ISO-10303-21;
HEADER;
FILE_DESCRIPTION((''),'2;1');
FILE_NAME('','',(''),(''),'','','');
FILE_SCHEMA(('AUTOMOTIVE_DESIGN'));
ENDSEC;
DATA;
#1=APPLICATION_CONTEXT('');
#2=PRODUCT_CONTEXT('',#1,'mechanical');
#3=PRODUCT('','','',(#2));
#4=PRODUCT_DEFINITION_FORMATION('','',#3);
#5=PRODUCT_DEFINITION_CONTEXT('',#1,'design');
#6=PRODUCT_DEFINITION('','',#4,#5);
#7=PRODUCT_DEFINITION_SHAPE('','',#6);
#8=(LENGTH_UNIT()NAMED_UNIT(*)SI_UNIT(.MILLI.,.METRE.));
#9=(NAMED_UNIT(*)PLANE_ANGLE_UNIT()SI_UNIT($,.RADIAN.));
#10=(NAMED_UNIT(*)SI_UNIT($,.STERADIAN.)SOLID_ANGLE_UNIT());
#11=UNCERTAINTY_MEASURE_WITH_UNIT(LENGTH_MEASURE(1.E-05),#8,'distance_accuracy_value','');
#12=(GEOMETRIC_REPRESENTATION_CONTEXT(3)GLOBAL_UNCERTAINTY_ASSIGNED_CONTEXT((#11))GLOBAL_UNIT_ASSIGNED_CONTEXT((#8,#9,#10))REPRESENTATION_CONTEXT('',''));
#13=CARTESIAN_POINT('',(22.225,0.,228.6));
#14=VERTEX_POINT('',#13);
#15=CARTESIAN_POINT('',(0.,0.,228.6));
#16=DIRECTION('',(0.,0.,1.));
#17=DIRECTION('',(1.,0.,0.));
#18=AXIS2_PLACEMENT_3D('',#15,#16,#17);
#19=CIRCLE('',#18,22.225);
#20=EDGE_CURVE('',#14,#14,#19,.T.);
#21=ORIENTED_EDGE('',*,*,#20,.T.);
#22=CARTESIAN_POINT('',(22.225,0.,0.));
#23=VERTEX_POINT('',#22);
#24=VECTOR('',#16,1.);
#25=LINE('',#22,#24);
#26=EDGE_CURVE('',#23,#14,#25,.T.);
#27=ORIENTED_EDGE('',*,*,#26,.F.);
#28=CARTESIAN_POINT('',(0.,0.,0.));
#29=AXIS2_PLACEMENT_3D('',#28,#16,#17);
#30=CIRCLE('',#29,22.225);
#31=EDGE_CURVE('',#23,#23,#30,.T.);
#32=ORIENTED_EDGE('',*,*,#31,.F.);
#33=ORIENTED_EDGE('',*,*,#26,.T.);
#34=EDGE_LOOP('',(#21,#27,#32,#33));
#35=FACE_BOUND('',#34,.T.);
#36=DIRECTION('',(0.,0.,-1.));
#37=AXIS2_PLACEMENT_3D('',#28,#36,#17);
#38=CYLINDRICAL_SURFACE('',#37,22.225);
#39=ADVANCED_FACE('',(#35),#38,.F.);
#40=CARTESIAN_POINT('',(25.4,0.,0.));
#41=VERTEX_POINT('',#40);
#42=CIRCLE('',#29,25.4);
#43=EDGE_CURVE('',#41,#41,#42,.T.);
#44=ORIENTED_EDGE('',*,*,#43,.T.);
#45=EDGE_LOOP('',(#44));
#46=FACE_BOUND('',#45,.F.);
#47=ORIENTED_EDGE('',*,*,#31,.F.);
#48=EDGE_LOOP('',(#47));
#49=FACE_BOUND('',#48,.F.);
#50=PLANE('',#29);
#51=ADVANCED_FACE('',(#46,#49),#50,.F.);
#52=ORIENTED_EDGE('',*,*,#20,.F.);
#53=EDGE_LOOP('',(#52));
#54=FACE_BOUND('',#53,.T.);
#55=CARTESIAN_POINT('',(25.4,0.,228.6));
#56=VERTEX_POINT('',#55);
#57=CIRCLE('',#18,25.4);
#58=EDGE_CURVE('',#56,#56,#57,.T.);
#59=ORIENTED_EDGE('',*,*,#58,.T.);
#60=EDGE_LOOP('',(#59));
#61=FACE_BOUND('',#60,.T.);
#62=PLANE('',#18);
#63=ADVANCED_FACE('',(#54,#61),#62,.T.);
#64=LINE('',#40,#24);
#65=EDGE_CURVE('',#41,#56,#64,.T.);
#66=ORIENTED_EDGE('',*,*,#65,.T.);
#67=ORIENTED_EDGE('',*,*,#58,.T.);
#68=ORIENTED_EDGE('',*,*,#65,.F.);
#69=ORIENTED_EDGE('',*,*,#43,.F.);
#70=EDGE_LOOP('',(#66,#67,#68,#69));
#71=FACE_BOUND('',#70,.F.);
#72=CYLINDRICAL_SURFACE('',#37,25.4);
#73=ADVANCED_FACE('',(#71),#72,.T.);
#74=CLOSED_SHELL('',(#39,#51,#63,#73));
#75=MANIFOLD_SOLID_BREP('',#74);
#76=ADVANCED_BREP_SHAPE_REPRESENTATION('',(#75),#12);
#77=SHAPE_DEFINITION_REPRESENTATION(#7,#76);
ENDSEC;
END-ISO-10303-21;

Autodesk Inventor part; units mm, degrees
ref_plane "YZ Plane" through (0, 0, 0) normal (1, 0, 0) x (0, 1, 0)
ref_plane "XZ Plane" through (0, 0, 0) normal (0, 1, 0) x (-1, 0, 0)
ref_plane "XY Plane" through (0, 0, 0) normal (0, 0, 1) x (1, 0, 0)
sketch "Sketch1" plane through (0, 0, 0) normal (0, 0, 1) x (1, 0, 0)
  circle A0 centre (0, 0) radius 22.225
  circle A1 centre (0, 0) radius 25.4
  dimension "d0" = 44.45
  dimension "d1" = 50.8
extrude "Extrusion1" add sketch "Sketch1" along normal blind 228.6
properties part number "polycarb_tube" material "Polycarbonate, Smoke"
